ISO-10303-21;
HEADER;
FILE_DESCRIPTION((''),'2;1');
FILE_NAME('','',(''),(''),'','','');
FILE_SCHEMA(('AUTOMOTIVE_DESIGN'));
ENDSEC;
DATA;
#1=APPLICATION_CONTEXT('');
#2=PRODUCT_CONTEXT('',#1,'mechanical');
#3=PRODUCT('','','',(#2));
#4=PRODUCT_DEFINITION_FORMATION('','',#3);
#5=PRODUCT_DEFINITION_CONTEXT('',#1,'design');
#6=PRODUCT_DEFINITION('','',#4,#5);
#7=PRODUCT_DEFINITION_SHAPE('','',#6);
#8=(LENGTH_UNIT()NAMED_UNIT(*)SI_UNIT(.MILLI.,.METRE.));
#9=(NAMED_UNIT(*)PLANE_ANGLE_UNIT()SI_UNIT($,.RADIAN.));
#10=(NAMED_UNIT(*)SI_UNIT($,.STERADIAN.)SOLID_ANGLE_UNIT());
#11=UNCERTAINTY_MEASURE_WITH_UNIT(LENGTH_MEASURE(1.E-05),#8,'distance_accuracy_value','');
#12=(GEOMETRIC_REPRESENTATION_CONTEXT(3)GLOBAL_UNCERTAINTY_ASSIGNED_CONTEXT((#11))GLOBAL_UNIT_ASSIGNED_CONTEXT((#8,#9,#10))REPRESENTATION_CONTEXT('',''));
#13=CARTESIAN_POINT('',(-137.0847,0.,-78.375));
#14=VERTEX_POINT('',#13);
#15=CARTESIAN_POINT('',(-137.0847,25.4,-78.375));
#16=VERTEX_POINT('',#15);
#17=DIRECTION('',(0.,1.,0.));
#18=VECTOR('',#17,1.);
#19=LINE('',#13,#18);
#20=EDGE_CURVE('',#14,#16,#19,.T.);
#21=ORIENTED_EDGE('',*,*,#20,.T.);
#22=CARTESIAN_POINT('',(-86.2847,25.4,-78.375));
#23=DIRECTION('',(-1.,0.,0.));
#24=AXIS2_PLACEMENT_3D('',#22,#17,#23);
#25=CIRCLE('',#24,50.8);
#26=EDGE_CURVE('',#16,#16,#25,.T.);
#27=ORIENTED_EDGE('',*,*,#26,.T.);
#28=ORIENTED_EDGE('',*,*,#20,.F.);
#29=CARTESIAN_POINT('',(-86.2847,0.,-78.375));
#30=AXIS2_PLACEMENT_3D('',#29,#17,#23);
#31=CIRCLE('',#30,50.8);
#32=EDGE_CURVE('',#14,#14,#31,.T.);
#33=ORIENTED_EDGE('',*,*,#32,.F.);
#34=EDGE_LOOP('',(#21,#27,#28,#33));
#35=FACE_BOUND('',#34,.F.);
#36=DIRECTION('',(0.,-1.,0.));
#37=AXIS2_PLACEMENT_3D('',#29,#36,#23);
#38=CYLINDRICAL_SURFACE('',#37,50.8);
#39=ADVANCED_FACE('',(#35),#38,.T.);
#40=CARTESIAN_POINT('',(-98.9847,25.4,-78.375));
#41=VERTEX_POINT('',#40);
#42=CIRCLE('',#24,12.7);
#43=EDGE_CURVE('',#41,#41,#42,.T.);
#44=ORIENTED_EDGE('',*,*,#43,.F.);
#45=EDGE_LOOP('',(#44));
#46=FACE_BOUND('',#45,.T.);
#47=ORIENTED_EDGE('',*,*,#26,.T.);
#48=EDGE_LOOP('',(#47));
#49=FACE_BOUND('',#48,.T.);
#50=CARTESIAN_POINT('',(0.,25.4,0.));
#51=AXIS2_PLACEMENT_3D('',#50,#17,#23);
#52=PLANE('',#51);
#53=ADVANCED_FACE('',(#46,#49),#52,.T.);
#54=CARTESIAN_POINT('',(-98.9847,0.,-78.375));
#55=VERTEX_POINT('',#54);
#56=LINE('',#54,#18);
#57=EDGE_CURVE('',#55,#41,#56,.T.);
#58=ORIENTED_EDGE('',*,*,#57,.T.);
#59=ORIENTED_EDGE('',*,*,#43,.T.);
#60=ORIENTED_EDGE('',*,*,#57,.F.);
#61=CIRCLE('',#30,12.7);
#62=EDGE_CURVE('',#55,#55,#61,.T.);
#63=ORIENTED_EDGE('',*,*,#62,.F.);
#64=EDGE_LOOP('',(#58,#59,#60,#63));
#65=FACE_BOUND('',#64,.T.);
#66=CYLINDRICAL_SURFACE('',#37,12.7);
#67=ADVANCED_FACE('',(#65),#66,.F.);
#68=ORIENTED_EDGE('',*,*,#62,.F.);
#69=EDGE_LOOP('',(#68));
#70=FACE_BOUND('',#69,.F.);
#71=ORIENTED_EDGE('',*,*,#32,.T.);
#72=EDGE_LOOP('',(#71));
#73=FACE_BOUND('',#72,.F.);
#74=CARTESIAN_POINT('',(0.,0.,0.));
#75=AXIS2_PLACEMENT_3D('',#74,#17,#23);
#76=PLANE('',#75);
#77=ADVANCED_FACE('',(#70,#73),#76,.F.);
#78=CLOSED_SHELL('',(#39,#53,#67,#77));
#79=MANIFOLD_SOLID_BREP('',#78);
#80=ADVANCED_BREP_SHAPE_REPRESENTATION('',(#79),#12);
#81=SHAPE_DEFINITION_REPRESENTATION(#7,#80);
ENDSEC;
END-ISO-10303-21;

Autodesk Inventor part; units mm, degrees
ref_plane "YZ Plane" through (0, 0, 0) normal (1, 0, 0) x (0, 1, 0)
ref_plane "XZ Plane" through (0, 0, 0) normal (0, 1, 0) x (-1, 0, 0)
ref_plane "XY Plane" through (0, 0, 0) normal (0, 0, 1) x (1, 0, 0)
sketch "Sketch1" plane through (0, 0, 0) normal (0, 1, 0) x (-1, 0, 0)
  circle A0 centre (86.2847, -78.375) radius 50.8
  circle A1 centre (86.2847, -78.375) radius 12.7
  dimension "d0" = 101.6
  dimension "d12" = 38.1
extrude "Extrusion4" add sketch "Sketch1" along normal blind 25.4
properties part number "VacuumWheels"
